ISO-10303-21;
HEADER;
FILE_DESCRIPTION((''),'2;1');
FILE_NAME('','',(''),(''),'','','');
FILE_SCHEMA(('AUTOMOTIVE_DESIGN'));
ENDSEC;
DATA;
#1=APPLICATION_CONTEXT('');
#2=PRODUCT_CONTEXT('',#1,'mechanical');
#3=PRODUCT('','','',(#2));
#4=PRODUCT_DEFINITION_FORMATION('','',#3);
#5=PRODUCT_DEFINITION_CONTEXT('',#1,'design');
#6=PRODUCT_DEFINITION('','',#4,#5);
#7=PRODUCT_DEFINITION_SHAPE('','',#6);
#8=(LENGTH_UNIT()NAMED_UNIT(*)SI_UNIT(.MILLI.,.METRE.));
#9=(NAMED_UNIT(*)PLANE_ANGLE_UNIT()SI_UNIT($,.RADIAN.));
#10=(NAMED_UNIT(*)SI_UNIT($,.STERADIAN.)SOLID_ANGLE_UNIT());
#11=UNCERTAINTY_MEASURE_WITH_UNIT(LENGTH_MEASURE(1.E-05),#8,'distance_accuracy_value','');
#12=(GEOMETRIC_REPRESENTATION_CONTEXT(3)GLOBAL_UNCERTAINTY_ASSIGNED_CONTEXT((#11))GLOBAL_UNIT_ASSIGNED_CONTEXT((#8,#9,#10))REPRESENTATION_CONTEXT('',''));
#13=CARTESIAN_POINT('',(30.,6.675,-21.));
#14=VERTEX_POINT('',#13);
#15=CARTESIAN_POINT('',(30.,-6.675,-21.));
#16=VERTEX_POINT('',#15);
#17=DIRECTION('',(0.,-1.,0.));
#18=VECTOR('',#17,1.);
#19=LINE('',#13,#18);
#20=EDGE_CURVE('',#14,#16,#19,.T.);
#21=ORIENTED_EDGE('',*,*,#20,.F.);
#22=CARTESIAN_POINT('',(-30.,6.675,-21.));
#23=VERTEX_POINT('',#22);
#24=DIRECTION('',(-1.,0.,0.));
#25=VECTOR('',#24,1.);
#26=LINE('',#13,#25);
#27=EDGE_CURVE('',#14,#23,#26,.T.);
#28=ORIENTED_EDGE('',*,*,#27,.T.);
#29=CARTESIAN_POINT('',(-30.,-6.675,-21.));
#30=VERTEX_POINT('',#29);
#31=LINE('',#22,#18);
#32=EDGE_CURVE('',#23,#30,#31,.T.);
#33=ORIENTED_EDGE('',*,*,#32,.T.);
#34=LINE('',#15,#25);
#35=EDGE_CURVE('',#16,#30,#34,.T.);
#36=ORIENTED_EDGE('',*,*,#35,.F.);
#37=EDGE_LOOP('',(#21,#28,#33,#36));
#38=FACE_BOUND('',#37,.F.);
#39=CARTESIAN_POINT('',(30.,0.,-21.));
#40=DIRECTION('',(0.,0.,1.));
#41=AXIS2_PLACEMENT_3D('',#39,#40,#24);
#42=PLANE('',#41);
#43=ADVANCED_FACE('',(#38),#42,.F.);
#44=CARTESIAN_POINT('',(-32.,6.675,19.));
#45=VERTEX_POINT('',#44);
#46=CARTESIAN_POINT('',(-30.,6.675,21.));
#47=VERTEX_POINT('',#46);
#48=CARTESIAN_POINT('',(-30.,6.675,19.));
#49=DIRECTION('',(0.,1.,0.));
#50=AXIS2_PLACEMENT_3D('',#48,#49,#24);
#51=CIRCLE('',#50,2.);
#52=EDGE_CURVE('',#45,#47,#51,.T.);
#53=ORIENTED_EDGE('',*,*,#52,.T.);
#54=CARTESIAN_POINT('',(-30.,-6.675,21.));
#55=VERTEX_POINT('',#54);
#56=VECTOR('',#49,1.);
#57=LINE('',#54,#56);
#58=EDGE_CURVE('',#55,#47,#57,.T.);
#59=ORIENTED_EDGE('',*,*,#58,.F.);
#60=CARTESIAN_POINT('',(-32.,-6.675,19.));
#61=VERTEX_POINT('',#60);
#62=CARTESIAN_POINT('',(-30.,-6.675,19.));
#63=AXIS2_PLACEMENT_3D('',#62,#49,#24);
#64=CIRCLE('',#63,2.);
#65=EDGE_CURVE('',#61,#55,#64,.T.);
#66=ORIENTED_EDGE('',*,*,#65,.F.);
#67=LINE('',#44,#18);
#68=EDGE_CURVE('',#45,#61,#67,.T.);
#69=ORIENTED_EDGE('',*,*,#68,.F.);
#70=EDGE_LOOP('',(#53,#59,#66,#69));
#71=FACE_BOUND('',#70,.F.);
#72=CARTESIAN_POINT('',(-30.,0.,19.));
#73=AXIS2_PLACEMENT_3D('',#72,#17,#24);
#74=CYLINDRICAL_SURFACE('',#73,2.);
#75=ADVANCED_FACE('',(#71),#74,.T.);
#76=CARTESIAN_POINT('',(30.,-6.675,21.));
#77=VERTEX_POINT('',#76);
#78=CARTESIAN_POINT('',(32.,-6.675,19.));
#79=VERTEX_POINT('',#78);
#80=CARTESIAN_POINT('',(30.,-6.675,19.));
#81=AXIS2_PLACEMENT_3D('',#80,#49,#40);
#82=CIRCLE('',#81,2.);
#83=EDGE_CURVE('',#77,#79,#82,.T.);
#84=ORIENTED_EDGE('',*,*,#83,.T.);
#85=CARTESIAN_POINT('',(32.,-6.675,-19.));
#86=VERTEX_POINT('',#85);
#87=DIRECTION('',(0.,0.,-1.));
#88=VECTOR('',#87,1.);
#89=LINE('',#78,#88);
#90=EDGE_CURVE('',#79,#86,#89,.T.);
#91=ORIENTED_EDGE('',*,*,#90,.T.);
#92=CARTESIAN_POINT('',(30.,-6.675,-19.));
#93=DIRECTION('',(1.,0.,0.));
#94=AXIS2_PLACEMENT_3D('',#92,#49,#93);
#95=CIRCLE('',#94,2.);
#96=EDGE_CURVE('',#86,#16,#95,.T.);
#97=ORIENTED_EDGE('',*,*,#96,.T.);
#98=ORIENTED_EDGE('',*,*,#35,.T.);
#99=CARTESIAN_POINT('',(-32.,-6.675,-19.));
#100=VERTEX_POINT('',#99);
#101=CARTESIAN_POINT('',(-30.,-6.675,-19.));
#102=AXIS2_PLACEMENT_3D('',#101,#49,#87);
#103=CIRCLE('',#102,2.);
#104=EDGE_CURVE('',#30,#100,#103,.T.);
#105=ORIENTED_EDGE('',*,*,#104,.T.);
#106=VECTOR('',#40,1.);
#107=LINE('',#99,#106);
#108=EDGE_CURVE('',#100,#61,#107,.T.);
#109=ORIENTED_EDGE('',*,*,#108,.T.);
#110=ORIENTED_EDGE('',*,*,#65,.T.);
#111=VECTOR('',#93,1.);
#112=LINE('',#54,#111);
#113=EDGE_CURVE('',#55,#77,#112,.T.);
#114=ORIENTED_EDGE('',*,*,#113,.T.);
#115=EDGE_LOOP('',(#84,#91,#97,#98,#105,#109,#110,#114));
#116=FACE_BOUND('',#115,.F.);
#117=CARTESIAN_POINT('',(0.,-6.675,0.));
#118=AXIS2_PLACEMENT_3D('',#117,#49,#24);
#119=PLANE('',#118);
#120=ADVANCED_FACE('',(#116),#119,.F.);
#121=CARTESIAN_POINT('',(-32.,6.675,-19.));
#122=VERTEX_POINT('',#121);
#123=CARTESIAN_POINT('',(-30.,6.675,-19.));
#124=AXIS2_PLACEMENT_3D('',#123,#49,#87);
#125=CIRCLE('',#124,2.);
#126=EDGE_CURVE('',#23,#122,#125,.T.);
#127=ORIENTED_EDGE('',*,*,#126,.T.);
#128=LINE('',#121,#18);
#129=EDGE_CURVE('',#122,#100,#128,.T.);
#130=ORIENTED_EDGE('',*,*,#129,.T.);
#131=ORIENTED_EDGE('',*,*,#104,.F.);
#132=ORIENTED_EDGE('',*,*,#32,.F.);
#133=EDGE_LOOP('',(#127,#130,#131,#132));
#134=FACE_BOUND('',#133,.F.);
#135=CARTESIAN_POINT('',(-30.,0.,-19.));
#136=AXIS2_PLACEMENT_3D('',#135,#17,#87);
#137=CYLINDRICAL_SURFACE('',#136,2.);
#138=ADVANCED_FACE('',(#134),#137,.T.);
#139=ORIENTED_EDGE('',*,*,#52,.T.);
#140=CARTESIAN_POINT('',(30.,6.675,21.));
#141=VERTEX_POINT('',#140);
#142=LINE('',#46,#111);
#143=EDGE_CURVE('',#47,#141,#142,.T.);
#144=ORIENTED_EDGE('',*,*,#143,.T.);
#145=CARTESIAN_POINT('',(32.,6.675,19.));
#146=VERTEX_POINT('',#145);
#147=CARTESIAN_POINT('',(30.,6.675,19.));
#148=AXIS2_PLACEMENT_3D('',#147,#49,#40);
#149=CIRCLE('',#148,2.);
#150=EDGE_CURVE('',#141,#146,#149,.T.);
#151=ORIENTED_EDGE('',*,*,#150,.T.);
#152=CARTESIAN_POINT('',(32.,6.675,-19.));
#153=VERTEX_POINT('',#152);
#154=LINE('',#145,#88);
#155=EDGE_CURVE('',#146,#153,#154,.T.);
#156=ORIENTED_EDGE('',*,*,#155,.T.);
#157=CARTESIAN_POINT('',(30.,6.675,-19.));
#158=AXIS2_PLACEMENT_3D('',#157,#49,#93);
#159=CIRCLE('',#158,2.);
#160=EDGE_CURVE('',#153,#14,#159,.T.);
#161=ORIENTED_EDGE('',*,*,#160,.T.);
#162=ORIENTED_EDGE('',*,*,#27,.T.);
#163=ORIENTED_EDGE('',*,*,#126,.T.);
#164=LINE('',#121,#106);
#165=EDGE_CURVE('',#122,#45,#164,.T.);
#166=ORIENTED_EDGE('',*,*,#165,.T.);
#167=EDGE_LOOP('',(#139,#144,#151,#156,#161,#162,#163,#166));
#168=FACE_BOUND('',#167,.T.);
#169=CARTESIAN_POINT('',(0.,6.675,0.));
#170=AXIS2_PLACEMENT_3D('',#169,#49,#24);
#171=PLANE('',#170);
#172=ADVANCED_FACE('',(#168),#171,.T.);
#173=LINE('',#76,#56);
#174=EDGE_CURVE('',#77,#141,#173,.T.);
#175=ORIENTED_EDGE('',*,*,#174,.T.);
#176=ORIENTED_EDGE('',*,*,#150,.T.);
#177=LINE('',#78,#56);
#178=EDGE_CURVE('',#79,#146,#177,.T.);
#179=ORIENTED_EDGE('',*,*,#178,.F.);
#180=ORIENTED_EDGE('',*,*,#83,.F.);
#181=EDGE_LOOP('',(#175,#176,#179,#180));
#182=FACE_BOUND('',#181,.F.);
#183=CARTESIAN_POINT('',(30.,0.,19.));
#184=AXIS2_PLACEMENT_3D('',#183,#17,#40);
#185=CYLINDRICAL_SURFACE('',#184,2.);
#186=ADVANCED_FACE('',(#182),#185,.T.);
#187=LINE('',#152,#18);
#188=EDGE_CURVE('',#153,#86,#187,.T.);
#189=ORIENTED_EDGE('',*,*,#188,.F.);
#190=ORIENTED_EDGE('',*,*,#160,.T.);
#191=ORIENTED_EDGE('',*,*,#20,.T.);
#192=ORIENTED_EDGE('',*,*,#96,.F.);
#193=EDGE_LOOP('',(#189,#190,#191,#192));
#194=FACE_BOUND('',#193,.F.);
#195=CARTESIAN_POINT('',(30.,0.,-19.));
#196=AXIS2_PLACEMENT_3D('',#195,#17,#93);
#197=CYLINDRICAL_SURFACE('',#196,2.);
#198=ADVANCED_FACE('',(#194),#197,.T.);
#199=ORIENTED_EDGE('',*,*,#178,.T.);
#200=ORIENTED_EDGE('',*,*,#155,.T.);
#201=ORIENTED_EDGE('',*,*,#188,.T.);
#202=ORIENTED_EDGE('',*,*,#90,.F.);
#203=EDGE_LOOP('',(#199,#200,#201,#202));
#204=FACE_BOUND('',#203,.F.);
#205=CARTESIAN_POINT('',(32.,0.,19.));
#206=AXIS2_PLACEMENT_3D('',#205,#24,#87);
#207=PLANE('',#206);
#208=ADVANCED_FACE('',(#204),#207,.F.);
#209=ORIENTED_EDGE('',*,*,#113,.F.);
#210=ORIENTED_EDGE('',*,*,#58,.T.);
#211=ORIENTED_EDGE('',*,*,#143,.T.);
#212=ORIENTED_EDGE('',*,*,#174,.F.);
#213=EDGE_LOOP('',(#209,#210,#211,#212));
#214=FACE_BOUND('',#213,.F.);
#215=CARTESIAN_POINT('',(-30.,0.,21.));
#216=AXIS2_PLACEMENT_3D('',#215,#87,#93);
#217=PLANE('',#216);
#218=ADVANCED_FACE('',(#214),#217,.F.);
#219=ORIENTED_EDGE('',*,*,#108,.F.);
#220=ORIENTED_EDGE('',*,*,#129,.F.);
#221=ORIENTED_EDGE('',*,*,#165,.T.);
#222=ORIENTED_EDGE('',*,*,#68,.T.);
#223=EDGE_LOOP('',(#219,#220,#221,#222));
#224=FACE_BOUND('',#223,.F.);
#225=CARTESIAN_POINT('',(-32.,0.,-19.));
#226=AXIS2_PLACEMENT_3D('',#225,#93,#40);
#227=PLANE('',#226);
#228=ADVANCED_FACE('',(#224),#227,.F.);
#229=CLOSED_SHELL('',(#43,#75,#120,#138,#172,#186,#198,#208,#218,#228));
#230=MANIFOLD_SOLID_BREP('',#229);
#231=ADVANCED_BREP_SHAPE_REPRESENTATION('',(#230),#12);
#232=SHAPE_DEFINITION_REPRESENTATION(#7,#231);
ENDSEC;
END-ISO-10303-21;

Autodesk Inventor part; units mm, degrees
ref_plane "YZ Plane" through (0, 0, 0) normal (1, 0, 0) x (0, 1, 0)
ref_plane "XZ Plane" through (0, 0, 0) normal (0, 1, 0) x (-1, 0, 0)
ref_plane "XY Plane" through (0, 0, 0) normal (0, 0, 1) x (1, 0, 0)
sketch "Sketch1" plane through (0, 0, 0) normal (0, 1, 0) x (-1, 0, 0)
  line L0 (30, 21) -> (-30, 21)
  line L1 (-32, 19) -> (-32, -19)
  line L2 (-30, -21) -> (30, -21)
  line L3 (32, -19) -> (32, 19)
  line L4 (32, 21) -> (-32, -21) construction
  line L5 (-32, 21) -> (32, -21) construction
  arc A0 (30, -21) -> (32, -19) centre (30, -19) ccw
  arc A1 (32, 19) -> (30, 21) centre (30, 19) ccw
  arc A2 (-30, 21) -> (-32, 19) centre (-30, 19) ccw
  arc A3 (-32, -19) -> (-30, -21) centre (-30, -19) ccw
  point P0 (0, 0)
  dimension "d0" = 64
  dimension "d1" = 42
  dimension "d2" = 2
extrude "Extrusion1" add sketch "Sketch1" along normal mid plane 13.35
properties part number "Objects_Secret_All" material "Paper"
